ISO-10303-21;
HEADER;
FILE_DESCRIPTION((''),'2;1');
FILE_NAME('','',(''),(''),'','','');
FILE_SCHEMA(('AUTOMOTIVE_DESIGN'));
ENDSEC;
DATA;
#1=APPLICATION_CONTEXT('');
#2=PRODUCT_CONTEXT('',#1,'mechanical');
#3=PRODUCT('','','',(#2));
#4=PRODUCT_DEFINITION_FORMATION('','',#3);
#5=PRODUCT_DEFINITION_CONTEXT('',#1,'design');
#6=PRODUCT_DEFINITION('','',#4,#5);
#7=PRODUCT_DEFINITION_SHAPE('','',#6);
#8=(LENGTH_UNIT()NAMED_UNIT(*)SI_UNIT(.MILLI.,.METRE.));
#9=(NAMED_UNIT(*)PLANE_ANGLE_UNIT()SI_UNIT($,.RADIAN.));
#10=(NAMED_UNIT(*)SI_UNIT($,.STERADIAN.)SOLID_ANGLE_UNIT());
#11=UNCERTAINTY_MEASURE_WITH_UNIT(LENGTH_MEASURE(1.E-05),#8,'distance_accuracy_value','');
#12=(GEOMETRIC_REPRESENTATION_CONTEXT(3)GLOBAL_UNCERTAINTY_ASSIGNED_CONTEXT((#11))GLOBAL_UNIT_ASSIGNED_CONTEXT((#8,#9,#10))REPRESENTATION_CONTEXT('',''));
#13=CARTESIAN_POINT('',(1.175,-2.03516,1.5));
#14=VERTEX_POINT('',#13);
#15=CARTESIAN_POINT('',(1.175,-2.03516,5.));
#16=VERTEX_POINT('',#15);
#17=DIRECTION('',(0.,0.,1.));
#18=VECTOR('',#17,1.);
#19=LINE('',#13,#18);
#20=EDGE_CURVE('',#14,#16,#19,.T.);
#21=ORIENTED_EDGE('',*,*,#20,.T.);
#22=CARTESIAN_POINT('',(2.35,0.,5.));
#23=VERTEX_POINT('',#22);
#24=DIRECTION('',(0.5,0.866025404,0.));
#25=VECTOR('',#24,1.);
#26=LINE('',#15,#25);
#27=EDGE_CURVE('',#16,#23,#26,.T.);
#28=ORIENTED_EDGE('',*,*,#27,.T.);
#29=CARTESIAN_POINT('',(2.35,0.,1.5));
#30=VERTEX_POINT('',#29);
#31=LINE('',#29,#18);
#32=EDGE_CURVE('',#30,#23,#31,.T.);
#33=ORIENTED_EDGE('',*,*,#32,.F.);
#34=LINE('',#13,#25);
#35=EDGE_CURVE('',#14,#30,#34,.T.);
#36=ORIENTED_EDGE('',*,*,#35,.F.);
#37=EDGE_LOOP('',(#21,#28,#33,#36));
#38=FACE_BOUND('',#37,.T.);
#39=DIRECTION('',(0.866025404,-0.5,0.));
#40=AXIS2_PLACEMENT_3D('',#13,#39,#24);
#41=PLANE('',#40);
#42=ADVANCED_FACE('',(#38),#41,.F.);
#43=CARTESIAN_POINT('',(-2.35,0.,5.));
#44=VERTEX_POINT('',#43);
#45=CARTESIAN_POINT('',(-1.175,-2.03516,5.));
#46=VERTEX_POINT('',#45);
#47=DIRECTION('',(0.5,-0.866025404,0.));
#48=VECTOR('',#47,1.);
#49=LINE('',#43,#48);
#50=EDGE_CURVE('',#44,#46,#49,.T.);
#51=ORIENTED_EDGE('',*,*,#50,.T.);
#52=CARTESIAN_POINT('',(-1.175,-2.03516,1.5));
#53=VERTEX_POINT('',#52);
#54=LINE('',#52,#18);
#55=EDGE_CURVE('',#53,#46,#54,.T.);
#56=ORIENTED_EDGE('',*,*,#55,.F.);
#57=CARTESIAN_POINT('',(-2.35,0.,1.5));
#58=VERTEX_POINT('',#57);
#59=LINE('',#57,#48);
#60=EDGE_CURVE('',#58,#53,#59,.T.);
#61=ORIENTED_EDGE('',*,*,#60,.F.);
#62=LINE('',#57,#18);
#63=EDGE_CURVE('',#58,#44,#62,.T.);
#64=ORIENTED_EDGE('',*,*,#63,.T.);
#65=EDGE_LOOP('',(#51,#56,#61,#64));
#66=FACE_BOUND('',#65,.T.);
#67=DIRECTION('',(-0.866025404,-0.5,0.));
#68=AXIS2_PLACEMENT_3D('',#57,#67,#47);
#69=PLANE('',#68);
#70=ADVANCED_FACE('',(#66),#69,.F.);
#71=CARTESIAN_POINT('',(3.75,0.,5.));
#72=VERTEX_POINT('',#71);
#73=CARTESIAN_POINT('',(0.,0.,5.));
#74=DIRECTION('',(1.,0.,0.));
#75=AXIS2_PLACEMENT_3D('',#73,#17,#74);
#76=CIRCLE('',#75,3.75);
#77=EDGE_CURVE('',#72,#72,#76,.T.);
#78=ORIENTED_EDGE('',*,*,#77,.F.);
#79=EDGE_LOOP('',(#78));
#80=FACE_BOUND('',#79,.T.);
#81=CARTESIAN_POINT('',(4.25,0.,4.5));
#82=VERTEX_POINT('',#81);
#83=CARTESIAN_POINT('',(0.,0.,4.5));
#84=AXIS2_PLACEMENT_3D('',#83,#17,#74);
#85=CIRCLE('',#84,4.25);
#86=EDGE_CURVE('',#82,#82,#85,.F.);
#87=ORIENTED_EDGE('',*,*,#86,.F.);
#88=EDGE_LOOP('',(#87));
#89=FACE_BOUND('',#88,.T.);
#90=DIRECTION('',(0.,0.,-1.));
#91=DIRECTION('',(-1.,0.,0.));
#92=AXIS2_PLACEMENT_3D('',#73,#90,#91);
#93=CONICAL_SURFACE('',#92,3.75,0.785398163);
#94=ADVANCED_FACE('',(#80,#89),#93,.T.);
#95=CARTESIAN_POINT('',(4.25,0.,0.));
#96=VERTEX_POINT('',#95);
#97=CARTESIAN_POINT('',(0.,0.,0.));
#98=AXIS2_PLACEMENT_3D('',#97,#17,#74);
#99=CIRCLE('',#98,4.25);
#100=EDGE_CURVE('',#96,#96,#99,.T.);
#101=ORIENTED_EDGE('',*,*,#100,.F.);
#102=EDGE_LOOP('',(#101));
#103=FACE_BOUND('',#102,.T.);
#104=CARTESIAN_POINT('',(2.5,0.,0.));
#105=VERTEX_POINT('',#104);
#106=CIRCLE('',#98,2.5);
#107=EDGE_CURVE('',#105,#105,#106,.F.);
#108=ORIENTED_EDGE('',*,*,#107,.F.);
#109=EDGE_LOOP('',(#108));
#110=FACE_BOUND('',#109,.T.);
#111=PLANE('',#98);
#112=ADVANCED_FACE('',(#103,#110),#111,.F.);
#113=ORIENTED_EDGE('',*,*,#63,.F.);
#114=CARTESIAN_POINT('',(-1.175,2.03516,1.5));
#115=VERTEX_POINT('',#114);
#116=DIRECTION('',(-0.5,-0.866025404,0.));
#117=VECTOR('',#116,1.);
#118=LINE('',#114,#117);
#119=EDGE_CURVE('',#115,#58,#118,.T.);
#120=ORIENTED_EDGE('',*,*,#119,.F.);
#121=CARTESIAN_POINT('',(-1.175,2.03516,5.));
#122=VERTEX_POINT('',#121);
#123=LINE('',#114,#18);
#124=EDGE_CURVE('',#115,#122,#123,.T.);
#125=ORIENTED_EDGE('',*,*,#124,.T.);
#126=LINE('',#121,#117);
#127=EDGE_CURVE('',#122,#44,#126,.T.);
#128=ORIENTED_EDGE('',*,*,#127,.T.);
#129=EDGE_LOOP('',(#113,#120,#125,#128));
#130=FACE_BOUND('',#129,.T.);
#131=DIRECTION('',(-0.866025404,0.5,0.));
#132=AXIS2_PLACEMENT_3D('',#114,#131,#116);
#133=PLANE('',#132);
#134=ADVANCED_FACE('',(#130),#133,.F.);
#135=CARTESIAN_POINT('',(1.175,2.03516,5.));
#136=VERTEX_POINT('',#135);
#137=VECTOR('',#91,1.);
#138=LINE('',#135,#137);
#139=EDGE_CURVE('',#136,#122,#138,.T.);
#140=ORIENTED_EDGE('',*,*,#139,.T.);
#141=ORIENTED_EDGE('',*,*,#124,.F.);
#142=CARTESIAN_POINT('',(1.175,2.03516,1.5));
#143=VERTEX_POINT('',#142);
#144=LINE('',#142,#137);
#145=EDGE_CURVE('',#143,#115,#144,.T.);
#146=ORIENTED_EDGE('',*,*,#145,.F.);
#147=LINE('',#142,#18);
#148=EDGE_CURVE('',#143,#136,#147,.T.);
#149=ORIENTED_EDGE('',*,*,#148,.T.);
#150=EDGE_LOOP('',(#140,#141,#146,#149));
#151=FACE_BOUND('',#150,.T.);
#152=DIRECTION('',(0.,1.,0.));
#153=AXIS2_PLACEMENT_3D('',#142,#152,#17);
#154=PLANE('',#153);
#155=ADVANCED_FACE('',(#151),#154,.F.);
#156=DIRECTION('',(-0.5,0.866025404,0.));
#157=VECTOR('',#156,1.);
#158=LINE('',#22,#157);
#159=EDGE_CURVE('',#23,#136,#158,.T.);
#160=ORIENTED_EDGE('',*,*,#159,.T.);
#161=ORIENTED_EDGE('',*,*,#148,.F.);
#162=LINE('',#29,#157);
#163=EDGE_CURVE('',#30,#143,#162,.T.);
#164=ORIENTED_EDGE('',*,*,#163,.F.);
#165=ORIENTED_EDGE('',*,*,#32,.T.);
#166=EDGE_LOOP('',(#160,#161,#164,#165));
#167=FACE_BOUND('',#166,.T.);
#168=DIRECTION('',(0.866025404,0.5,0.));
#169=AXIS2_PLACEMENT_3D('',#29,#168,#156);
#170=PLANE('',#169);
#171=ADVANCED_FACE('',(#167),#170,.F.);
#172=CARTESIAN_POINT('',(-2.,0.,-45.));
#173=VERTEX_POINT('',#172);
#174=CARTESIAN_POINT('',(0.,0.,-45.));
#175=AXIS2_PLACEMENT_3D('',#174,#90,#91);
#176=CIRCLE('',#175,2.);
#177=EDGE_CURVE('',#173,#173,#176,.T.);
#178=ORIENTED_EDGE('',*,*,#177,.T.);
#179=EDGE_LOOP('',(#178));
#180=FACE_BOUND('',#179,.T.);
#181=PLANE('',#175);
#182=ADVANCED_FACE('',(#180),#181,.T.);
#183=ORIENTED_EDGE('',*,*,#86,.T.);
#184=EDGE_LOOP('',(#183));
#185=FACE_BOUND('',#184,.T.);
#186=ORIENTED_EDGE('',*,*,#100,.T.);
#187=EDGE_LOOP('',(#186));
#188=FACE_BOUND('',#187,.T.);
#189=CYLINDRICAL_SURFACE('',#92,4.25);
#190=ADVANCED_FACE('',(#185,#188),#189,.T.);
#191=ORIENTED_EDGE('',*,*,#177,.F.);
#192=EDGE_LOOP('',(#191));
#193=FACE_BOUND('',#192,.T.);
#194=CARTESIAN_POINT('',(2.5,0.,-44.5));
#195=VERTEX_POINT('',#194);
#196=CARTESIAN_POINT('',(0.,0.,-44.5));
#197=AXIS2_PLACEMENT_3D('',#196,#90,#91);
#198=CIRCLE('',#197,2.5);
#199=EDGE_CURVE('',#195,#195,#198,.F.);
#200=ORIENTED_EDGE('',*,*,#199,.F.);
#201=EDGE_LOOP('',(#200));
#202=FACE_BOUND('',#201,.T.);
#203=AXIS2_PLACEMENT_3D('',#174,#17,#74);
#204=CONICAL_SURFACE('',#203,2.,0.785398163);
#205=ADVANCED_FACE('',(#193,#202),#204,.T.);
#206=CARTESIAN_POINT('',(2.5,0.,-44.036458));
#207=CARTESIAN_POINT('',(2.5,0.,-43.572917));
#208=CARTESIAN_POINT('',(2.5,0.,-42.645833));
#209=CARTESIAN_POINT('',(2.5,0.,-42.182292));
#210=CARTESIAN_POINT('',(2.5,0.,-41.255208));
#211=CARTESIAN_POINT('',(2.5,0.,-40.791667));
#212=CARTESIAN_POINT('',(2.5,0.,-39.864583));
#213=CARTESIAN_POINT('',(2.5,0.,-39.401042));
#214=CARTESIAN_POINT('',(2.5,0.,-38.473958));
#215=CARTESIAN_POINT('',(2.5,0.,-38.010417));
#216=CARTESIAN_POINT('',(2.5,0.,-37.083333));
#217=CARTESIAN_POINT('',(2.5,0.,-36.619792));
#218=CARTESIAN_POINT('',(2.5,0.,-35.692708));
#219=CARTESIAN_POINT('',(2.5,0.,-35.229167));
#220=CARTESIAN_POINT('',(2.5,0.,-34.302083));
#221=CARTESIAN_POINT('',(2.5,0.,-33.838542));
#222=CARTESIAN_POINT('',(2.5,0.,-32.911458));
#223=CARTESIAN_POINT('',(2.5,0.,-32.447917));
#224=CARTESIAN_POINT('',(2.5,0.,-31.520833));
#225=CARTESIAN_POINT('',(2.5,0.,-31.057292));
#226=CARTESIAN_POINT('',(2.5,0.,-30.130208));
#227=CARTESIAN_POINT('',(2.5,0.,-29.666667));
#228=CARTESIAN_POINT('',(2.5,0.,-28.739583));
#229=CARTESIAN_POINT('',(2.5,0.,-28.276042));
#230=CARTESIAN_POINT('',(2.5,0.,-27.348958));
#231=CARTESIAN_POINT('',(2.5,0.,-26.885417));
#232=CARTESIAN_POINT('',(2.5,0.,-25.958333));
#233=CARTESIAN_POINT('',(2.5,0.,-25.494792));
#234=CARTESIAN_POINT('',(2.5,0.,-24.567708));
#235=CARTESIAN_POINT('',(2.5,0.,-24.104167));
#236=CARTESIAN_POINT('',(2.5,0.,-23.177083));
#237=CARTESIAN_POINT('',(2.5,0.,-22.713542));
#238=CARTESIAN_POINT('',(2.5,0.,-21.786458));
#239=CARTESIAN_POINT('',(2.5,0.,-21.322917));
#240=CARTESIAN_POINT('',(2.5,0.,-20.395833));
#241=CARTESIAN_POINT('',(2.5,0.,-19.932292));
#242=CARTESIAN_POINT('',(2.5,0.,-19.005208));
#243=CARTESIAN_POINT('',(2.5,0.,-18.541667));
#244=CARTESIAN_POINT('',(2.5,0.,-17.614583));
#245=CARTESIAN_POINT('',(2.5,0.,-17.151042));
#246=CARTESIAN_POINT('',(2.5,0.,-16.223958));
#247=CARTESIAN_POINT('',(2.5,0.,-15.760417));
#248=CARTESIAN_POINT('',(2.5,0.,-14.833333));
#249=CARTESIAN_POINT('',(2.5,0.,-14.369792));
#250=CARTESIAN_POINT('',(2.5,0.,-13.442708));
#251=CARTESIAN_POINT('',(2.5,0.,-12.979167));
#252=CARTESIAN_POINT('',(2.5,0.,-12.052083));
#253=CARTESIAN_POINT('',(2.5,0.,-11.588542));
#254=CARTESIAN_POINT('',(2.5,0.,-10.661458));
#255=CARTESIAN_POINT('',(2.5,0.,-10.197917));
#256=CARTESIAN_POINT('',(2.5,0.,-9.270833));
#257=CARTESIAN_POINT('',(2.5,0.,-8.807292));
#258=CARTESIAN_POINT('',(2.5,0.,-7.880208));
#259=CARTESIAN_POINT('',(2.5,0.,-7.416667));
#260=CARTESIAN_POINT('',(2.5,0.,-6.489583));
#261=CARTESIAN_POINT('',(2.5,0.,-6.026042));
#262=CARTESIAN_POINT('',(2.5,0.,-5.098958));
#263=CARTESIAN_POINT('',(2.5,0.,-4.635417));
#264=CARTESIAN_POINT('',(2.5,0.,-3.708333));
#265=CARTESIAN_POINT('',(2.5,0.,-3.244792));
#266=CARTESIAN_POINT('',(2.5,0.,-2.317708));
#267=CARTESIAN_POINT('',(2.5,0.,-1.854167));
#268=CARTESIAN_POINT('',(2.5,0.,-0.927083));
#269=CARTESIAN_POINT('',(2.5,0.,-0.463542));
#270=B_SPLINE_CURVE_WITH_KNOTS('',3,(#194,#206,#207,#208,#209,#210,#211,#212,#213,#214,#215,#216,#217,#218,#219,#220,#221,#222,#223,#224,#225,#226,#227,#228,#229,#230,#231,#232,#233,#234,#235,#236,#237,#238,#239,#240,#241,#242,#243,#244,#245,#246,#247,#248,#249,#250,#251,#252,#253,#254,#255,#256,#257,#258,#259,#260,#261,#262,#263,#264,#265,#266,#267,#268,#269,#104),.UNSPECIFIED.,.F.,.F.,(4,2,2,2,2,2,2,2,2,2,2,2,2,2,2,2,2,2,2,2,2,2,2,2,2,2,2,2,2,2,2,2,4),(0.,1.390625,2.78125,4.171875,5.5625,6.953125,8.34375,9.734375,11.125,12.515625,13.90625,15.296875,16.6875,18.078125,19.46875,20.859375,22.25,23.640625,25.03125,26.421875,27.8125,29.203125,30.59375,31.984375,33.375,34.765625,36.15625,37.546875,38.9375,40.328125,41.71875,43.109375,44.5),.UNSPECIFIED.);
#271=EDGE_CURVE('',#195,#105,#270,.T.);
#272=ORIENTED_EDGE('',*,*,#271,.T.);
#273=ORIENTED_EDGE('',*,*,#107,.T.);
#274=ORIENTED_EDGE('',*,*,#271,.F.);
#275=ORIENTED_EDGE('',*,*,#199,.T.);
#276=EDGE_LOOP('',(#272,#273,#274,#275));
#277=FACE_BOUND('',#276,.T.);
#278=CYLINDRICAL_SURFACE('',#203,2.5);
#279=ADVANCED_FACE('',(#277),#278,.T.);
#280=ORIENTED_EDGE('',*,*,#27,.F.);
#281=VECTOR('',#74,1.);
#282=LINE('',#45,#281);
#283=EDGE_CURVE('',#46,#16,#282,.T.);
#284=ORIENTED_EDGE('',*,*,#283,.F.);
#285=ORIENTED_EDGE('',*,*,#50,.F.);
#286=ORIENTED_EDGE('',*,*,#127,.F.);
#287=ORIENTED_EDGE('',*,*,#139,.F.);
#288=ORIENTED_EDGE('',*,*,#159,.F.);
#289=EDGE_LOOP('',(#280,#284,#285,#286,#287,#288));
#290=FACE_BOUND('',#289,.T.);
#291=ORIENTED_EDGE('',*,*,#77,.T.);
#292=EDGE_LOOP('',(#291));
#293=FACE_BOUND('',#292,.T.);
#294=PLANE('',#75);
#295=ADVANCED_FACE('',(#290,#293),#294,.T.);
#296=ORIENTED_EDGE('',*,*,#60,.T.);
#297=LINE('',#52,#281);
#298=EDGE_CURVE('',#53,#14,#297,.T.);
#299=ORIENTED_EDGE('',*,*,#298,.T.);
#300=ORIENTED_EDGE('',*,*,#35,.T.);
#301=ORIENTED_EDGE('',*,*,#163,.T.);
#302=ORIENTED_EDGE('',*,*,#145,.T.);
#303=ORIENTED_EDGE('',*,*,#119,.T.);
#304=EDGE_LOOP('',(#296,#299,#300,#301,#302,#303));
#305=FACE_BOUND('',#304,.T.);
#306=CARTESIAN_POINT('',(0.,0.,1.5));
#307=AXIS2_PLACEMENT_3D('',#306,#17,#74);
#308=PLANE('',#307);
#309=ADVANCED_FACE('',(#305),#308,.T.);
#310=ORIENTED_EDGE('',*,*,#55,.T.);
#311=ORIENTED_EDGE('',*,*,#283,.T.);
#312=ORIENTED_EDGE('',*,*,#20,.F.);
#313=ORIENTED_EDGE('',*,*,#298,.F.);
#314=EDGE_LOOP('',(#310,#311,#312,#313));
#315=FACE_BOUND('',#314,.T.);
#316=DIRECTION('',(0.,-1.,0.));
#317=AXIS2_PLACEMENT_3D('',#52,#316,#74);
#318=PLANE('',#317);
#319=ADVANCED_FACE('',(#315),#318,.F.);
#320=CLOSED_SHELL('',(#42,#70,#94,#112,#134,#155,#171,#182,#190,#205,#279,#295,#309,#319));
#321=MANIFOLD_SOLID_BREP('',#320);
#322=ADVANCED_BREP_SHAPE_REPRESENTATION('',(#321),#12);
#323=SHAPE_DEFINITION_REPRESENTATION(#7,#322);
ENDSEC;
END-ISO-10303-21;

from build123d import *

# Parameters (mm, degrees)
CROQUIS1_R              = 4.25
SALIENTE_EXTRUIR1_DEPTH = 5
CROQUIS2_R              = 2.5
SALIENTE_EXTRUIR2_DEPTH = 45
CHAFL_N1_SIZE           = 0.5
CORTAR_EXTRUIR1_DEPTH   = 3.5


with BuildPart() as part:
    # Croquis1 → Saliente-Extruir1 (new body)
    with BuildSketch(Plane.XY):
        Circle(CROQUIS1_R)
    extrude(amount=SALIENTE_EXTRUIR1_DEPTH)

    # Croquis2 → Saliente-Extruir2 (add)
    with BuildSketch(Plane(origin=(0, 0, 0), x_dir=(-1, 0, 0), z_dir=(0, 0, -1))):
        with Locations(Location((0, 0, 0), (0, 0, 180))):
            Circle(CROQUIS2_R)
    extrude(amount=SALIENTE_EXTRUIR2_DEPTH)

    # Chaflán1
    chafl_n1_edges = [part.edges().sort_by_distance(p)[0] for p in [
        (-4.25, 0, 5),
        (-2.5, 0, -45),
    ]]
    chamfer(chafl_n1_edges, length=CHAFL_N1_SIZE)

    # Croquis3 → Cortar-Extruir1 (cut)
    with BuildSketch(Plane.XY.offset(5)):
        Polygon((2.35, 0), (1.175, 2.035159699), (-1.175, 2.035159699), (-2.35, 0), (-1.175, -2.035159699), (1.175, -2.035159699), align=None)
    extrude(amount=-CORTAR_EXTRUIR1_DEPTH, mode=Mode.SUBTRACT)


solid = part.part
